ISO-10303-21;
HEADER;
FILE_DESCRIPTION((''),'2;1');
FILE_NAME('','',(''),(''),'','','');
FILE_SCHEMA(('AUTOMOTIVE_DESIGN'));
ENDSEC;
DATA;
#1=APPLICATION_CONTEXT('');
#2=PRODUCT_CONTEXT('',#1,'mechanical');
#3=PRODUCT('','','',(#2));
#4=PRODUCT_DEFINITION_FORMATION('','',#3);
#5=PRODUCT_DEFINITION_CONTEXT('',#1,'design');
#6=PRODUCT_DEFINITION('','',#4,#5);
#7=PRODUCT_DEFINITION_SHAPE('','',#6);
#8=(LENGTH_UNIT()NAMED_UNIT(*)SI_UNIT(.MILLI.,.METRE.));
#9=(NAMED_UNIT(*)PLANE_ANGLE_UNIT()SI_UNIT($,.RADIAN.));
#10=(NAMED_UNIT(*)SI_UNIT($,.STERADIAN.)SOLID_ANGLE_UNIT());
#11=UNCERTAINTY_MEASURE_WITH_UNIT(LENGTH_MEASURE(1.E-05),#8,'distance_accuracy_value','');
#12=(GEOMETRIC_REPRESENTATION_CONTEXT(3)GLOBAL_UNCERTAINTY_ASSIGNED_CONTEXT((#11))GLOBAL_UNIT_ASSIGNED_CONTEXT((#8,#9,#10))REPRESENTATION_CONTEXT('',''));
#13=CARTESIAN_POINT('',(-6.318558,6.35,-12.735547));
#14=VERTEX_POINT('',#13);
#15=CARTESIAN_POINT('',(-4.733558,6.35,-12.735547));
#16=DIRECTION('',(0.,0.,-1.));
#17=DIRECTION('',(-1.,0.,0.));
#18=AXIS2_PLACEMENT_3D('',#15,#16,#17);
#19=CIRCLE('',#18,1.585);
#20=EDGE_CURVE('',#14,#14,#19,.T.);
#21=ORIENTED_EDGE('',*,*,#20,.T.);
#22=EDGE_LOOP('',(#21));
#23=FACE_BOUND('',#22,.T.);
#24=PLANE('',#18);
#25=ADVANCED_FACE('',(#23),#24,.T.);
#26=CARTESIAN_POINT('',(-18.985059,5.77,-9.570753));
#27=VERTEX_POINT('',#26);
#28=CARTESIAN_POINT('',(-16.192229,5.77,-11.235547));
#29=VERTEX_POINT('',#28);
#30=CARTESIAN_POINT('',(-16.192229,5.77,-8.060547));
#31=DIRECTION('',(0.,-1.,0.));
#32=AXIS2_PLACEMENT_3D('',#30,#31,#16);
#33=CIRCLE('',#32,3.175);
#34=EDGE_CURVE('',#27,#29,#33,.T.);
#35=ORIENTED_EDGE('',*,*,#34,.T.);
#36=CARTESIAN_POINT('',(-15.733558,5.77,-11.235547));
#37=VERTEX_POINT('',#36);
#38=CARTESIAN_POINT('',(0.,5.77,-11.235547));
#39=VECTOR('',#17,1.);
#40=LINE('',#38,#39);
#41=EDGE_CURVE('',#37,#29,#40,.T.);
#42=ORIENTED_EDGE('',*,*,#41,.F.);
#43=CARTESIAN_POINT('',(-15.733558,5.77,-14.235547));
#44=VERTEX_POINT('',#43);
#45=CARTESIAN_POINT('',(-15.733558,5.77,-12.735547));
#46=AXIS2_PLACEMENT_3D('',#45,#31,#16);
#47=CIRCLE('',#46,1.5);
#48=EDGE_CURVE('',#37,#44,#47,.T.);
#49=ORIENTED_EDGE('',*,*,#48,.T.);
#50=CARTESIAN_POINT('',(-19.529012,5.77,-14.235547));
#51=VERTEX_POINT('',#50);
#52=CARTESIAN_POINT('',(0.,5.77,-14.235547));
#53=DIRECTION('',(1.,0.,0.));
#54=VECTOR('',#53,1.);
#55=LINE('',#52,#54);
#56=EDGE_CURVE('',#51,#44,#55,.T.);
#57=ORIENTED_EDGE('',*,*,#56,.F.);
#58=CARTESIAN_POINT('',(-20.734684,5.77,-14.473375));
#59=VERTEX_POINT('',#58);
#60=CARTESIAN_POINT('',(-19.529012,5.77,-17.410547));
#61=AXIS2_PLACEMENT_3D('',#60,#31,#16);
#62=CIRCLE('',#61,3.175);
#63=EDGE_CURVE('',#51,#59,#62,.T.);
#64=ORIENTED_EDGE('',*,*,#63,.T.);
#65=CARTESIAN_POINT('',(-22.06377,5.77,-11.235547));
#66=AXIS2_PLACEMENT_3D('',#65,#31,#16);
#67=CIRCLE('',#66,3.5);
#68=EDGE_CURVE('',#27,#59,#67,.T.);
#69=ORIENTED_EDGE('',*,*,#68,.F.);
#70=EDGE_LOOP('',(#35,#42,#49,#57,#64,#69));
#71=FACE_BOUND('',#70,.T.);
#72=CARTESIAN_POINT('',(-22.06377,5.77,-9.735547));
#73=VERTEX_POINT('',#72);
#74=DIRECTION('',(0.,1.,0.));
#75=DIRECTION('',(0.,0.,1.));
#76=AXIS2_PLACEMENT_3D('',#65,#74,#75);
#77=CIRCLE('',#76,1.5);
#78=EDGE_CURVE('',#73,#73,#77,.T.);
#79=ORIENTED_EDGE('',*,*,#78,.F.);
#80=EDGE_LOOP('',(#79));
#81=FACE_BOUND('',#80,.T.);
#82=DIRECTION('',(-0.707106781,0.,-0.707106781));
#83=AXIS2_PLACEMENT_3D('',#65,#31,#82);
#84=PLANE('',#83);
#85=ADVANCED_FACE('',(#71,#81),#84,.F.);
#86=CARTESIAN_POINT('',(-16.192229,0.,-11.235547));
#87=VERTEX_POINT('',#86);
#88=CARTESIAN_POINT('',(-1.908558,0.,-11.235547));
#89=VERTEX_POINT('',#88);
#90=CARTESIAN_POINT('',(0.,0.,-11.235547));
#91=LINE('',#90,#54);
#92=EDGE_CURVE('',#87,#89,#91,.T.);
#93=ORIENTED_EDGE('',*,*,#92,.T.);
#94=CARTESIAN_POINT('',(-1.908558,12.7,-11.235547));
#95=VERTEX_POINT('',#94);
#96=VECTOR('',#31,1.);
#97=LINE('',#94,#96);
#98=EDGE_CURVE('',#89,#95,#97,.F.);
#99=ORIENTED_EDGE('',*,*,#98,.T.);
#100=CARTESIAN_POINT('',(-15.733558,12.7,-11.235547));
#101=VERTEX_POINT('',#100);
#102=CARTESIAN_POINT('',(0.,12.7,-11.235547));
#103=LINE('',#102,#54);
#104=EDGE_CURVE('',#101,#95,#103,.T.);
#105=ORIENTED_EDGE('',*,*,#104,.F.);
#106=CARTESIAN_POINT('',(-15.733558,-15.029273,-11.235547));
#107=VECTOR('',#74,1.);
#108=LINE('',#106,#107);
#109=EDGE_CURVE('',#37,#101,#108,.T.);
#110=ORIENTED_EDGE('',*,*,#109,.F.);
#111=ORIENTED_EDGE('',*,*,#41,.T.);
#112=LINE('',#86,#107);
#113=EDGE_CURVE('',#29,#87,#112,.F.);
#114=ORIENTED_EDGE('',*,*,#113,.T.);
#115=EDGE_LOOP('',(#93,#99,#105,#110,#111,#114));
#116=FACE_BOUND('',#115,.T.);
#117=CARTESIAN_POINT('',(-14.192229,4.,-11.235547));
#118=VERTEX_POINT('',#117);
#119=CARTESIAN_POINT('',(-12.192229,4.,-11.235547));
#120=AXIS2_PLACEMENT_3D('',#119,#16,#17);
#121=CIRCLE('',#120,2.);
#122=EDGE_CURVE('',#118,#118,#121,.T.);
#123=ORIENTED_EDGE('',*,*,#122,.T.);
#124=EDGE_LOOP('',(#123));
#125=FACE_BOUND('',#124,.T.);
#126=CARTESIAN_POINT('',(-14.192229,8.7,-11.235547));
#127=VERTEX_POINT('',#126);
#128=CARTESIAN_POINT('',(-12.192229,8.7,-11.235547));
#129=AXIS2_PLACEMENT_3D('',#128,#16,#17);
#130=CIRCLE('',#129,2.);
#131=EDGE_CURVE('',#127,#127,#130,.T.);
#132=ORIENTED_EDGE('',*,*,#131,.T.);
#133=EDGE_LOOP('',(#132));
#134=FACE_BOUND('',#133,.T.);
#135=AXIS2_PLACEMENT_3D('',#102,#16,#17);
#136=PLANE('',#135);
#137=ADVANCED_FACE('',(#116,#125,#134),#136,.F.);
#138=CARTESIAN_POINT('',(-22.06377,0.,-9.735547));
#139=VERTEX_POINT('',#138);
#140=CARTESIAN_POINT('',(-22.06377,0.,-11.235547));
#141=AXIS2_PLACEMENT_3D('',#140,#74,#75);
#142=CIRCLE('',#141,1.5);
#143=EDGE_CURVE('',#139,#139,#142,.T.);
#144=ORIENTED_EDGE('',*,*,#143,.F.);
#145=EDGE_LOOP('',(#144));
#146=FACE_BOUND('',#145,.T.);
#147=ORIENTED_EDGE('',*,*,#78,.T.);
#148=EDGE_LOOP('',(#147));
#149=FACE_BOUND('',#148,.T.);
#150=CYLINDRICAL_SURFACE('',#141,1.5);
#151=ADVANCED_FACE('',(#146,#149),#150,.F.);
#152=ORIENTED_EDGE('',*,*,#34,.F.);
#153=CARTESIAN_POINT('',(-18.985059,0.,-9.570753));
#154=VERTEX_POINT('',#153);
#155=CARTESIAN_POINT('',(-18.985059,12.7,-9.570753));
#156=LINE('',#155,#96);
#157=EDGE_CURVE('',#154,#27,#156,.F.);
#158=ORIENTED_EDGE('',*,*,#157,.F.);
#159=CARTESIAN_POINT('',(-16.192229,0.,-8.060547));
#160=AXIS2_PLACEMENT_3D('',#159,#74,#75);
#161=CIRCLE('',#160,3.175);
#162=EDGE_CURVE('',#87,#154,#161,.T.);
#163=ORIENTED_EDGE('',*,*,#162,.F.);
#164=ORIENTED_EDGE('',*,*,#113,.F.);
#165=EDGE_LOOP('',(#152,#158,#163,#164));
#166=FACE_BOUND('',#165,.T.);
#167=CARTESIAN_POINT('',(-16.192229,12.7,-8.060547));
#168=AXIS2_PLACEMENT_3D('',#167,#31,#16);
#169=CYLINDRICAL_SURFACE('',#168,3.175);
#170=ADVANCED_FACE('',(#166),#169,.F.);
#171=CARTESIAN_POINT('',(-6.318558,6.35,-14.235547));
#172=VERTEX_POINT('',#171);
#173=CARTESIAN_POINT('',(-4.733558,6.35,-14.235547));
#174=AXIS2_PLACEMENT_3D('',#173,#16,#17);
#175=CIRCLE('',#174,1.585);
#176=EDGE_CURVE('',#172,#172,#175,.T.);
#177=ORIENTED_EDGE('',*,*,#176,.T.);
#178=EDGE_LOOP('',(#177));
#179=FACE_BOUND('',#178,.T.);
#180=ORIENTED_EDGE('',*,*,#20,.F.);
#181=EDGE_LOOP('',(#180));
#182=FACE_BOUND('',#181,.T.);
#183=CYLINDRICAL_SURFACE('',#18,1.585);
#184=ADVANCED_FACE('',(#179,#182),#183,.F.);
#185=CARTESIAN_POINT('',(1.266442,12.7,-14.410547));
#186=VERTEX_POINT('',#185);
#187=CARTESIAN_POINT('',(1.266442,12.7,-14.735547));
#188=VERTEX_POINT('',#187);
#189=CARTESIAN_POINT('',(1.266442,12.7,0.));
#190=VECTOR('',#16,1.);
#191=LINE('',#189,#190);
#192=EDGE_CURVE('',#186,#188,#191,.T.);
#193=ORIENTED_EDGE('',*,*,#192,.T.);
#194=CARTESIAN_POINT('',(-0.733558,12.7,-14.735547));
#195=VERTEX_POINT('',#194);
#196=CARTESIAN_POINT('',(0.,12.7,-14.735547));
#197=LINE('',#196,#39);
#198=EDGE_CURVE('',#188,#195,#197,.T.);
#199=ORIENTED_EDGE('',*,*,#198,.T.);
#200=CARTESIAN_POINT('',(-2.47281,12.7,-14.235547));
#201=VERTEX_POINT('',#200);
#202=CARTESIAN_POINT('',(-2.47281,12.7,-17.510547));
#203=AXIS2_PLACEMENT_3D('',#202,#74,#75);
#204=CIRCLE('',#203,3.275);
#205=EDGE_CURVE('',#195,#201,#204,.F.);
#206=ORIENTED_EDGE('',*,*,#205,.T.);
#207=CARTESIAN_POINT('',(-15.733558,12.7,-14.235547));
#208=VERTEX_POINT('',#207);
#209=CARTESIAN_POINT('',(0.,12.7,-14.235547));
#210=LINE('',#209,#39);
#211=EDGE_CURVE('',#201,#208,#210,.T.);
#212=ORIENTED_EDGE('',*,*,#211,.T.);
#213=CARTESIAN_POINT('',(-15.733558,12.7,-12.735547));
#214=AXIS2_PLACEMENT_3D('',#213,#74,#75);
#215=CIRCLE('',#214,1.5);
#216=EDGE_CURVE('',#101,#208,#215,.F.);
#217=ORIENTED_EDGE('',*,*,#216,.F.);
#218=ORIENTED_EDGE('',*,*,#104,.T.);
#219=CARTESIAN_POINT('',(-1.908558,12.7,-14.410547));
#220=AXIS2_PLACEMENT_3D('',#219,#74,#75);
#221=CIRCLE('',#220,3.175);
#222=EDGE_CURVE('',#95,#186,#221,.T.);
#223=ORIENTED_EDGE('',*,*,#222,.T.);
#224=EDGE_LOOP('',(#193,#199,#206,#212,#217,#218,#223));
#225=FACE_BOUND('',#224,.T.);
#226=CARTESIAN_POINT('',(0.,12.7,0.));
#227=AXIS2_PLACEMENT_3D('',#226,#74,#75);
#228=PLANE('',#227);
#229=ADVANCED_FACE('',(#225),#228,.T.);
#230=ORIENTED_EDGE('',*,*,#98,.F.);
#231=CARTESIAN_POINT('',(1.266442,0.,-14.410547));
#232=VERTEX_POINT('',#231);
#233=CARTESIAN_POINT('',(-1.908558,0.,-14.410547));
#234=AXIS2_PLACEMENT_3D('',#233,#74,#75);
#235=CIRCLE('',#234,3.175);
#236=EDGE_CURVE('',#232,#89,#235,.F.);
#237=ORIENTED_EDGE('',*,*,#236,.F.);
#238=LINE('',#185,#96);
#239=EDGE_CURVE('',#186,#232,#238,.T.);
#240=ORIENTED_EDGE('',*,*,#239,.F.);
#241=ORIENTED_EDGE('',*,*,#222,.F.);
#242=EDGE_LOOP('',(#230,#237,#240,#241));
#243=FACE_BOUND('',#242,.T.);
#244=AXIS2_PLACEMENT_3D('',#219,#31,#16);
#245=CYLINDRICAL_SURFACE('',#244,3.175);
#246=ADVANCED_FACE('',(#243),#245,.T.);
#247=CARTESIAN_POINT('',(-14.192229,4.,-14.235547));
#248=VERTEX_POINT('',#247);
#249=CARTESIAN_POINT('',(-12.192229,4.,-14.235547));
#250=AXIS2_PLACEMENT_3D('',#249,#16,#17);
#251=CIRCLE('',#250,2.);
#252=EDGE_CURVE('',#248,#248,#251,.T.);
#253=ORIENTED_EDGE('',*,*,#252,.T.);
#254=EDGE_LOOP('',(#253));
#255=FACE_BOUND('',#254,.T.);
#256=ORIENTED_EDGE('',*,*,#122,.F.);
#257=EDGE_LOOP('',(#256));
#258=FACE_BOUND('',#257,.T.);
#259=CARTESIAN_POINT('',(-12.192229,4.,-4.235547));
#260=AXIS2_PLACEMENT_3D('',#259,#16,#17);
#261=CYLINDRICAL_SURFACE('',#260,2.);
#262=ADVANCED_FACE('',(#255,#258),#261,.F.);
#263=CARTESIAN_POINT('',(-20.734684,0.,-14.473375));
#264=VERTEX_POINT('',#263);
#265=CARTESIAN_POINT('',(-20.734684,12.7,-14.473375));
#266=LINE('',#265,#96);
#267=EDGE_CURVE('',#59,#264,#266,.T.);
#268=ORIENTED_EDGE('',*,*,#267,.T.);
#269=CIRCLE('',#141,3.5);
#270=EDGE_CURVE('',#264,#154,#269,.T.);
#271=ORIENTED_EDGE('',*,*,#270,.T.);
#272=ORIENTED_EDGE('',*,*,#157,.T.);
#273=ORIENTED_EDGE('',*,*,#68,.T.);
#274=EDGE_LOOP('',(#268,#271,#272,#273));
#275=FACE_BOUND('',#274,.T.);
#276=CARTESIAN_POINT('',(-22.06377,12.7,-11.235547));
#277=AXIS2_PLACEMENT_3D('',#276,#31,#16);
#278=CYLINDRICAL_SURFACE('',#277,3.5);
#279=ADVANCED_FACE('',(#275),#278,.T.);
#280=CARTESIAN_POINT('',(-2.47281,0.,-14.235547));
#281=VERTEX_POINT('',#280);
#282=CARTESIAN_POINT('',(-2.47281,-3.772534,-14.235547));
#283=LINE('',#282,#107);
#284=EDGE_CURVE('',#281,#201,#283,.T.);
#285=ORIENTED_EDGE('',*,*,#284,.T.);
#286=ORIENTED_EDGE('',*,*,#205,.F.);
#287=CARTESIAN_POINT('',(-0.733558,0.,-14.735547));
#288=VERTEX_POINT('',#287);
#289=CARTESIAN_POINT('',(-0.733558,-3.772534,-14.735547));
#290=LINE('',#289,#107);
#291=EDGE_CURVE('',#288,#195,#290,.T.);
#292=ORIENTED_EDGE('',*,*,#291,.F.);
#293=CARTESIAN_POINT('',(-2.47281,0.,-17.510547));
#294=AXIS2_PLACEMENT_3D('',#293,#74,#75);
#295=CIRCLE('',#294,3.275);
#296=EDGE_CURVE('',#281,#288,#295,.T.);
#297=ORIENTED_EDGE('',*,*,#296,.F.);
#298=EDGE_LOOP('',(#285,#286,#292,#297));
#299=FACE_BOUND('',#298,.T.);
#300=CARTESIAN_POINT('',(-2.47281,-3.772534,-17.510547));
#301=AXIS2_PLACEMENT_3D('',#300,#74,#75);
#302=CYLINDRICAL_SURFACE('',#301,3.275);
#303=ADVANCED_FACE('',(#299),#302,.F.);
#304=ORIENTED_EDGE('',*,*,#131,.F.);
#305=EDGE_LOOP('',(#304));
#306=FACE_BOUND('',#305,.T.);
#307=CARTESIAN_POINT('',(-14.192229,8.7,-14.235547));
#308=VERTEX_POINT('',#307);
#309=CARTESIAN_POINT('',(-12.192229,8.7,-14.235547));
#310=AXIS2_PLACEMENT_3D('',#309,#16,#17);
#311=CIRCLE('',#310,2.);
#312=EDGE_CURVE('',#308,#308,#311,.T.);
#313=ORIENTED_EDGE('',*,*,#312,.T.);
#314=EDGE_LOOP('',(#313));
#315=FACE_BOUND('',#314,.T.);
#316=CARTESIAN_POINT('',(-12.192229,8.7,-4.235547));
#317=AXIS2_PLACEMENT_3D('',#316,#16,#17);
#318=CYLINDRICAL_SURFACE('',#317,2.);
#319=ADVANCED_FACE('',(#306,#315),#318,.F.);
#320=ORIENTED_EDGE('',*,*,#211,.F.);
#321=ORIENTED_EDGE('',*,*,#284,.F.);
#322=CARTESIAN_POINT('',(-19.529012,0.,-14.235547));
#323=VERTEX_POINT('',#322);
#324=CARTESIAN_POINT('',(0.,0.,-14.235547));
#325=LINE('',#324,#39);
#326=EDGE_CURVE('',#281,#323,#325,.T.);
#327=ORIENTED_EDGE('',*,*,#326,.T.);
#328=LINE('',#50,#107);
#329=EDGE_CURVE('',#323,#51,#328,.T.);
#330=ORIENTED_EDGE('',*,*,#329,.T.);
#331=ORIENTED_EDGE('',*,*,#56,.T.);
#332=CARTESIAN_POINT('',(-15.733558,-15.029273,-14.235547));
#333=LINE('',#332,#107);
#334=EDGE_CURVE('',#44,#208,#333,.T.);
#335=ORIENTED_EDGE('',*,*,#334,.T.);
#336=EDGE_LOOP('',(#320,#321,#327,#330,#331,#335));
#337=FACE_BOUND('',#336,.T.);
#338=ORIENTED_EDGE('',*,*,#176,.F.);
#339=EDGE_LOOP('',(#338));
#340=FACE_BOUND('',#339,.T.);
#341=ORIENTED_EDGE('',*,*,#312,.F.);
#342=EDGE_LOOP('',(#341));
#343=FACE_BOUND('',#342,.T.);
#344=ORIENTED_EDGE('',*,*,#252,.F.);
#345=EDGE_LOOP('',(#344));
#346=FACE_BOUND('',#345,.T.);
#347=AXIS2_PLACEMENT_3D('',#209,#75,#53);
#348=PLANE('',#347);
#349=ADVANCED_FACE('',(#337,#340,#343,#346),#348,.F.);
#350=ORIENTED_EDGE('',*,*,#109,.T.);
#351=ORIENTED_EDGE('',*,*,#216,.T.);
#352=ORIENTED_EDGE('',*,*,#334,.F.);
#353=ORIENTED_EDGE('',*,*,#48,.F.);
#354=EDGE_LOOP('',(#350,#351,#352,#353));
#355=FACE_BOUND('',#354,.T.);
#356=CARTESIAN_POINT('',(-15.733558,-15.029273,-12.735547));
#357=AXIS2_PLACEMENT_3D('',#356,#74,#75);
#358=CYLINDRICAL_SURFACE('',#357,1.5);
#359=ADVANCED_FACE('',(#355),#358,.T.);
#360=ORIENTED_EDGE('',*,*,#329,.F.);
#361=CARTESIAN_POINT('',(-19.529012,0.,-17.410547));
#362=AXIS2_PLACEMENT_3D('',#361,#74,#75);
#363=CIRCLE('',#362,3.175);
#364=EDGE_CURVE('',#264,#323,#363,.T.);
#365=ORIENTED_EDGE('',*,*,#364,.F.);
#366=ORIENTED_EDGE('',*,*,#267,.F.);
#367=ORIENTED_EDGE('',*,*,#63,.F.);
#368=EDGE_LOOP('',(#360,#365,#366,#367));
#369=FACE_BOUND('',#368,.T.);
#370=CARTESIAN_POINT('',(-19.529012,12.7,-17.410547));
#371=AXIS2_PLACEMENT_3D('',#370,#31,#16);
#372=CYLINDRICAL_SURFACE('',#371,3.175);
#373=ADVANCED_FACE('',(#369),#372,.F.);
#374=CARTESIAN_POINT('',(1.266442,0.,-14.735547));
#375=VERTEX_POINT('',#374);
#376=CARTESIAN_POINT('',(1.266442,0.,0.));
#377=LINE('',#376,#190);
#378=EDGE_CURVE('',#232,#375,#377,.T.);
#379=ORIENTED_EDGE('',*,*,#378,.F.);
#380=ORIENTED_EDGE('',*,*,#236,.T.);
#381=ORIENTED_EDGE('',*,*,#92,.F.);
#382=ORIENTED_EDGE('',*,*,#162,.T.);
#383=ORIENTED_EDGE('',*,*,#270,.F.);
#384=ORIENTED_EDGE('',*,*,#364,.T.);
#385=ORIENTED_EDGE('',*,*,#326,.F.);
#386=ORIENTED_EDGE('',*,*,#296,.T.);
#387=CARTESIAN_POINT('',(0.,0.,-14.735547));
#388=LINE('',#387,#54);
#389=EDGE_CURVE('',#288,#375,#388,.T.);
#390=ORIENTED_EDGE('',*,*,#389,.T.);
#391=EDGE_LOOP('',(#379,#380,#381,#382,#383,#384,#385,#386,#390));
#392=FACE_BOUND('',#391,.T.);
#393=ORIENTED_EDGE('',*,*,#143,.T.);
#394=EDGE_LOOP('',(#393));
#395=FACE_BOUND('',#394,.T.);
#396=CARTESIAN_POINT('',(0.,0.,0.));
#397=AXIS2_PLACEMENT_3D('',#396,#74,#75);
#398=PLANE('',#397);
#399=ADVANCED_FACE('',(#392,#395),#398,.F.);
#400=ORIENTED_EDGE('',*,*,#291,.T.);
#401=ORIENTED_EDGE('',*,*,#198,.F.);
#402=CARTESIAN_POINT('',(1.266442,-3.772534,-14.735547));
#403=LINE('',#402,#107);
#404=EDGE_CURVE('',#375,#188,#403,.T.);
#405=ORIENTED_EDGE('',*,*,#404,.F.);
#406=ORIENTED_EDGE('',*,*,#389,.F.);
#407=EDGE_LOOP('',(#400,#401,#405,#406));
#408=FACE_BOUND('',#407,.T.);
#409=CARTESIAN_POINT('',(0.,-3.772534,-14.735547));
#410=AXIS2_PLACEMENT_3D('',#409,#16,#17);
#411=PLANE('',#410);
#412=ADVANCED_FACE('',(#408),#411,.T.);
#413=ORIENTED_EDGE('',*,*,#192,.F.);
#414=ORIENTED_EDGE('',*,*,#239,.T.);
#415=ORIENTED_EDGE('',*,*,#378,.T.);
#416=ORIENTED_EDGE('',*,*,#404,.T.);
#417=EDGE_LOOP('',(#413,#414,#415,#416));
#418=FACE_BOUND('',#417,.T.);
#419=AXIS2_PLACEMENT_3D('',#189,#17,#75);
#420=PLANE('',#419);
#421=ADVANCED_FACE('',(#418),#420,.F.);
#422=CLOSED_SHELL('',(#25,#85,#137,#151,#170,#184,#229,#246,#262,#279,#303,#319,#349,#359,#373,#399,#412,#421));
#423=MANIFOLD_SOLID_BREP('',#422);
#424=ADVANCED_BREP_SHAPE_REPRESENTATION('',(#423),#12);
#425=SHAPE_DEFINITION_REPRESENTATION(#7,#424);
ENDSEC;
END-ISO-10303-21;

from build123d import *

# Parameters (mm, degrees)
SKETCH1_R           = 3.5
BOSS_EXTRUDE1_DEPTH = 12.7
CUT_EXTRUDE1_START  = -6.93
CUT_EXTRUDE1_DEPTH  = 6.93
SKETCH3_R           = 1.5
CUT_EXTRUDE2_DEPTH  = 6.77
SKETCH4_W           = 2
SKETCH4_H           = 0.5
BOSS_EXTRUDE2_DEPTH = 12.7
FILLET1_R           = 3.175
SKETCH5_R           = 2
CUT_EXTRUDE3_DEPTH  = 10
SKETCH6_R           = 1.585
CUT_EXTRUDE4_DEPTH  = 1.5


with BuildPart() as part:
    # Sketch1 → Boss-Extrude1 (new body)
    with BuildSketch(Plane(origin=(0, 0, 0), x_dir=(1, 0, 0), z_dir=(0, 1, 0))):
        with Locations((-22.063770306, 11.23554707)):
            Circle(SKETCH1_R)
        with BuildLine():
            ThreePointArc((-20.260994668, 14.23554707), (-19.017484475, 12.958957246), (-18.563770306, 11.23554707))
            Line((-18.563770306, 11.23554707), (1.266442488, 11.23554707))
            Line((1.266442488, 11.23554707), (1.266442488, 14.23554707))
            Line((1.266442488, 14.23554707), (-20.260994668, 14.23554707))
        make_face()
    extrude(amount=BOSS_EXTRUDE1_DEPTH)

    # Sketch2 → Cut-Extrude1 (cut)
    with BuildSketch(Plane(origin=(0, 12.7, 0), x_dir=(1, 0, 0), z_dir=(0, 1, 0)).offset(CUT_EXTRUDE1_START)):
        with BuildLine():
            Line((-18.563770306, 11.23554707), (-15.733557512, 11.23554707))
            ThreePointArc((-15.733557512, 11.23554707), (-17.233557512, 12.73554707), (-15.733557512, 14.23554707))
            Line((-15.733557512, 14.23554707), (-20.260994668, 14.23554707))
            ThreePointArc((-20.260994668, 14.23554707), (-25.110056137, 9.512136894), (-18.563770306, 11.23554707))
        make_face()
    extrude(amount=CUT_EXTRUDE1_DEPTH, mode=Mode.SUBTRACT)

    # Sketch3 → Cut-Extrude2 (cut, through all)
    with BuildSketch(Plane(origin=(0, 5.77, 0), x_dir=(1, 0, 0), z_dir=(0, 1, 0))):
        with Locations(Location((-22.063770306, 11.23554707, 0), (0, 0, 270))):  # turned: the seam where the file's is
            Circle(SKETCH3_R)
    extrude(amount=-CUT_EXTRUDE2_DEPTH, mode=Mode.SUBTRACT)

    # Sketch4 → Boss-Extrude2 (add)
    with BuildSketch(Plane(origin=(0, 12.7, 0), x_dir=(1, 0, 0), z_dir=(0, 1, 0))):
        with Locations((0.266442488, 14.48554707)):
            Rectangle(SKETCH4_W, SKETCH4_H)
        with BuildLine():
            Line((-2.472810226, 14.23554707), (-0.733557512, 14.23554707))
            Line((-0.733557512, 14.23554707), (-0.733557512, 14.73554707))
            ThreePointArc((-0.733557512, 14.73554707), (-1.567962172, 14.363028206), (-2.472810226, 14.23554707))
        make_face()
    extrude(amount=-BOSS_EXTRUDE2_DEPTH)

    # Fillet1
    fillet1_edges = [part.edges().sort_by_distance(p)[0] for p in [
        (-20.260994668, 2.885, -14.23554707),
        (-18.563770306, 2.885, -11.23554707),
        (1.266442488, 6.35, -11.23554707),
    ]]
    fillet(fillet1_edges, radius=FILLET1_R)

    # Sketch5 → Cut-Extrude3 (cut)
    with BuildSketch(Plane(origin=(0, 0, -14.23554707), x_dir=(-1, 0, 0), z_dir=(0, 0, -1))):
        with Locations((12.192228771, 8.7)):
            Circle(SKETCH5_R)
        with Locations((12.192228771, 4)):
            Circle(SKETCH5_R)
    extrude(amount=-CUT_EXTRUDE3_DEPTH, mode=Mode.SUBTRACT)

    # Sketch6 → Cut-Extrude4 (cut)
    with BuildSketch(Plane(origin=(0, 0, -14.23554707), x_dir=(-1, 0, 0), z_dir=(0, 0, -1))):
        with Locations((4.733557512, 6.35)):
            Circle(SKETCH6_R)
    extrude(amount=-CUT_EXTRUDE4_DEPTH, mode=Mode.SUBTRACT)


solid = part.part
